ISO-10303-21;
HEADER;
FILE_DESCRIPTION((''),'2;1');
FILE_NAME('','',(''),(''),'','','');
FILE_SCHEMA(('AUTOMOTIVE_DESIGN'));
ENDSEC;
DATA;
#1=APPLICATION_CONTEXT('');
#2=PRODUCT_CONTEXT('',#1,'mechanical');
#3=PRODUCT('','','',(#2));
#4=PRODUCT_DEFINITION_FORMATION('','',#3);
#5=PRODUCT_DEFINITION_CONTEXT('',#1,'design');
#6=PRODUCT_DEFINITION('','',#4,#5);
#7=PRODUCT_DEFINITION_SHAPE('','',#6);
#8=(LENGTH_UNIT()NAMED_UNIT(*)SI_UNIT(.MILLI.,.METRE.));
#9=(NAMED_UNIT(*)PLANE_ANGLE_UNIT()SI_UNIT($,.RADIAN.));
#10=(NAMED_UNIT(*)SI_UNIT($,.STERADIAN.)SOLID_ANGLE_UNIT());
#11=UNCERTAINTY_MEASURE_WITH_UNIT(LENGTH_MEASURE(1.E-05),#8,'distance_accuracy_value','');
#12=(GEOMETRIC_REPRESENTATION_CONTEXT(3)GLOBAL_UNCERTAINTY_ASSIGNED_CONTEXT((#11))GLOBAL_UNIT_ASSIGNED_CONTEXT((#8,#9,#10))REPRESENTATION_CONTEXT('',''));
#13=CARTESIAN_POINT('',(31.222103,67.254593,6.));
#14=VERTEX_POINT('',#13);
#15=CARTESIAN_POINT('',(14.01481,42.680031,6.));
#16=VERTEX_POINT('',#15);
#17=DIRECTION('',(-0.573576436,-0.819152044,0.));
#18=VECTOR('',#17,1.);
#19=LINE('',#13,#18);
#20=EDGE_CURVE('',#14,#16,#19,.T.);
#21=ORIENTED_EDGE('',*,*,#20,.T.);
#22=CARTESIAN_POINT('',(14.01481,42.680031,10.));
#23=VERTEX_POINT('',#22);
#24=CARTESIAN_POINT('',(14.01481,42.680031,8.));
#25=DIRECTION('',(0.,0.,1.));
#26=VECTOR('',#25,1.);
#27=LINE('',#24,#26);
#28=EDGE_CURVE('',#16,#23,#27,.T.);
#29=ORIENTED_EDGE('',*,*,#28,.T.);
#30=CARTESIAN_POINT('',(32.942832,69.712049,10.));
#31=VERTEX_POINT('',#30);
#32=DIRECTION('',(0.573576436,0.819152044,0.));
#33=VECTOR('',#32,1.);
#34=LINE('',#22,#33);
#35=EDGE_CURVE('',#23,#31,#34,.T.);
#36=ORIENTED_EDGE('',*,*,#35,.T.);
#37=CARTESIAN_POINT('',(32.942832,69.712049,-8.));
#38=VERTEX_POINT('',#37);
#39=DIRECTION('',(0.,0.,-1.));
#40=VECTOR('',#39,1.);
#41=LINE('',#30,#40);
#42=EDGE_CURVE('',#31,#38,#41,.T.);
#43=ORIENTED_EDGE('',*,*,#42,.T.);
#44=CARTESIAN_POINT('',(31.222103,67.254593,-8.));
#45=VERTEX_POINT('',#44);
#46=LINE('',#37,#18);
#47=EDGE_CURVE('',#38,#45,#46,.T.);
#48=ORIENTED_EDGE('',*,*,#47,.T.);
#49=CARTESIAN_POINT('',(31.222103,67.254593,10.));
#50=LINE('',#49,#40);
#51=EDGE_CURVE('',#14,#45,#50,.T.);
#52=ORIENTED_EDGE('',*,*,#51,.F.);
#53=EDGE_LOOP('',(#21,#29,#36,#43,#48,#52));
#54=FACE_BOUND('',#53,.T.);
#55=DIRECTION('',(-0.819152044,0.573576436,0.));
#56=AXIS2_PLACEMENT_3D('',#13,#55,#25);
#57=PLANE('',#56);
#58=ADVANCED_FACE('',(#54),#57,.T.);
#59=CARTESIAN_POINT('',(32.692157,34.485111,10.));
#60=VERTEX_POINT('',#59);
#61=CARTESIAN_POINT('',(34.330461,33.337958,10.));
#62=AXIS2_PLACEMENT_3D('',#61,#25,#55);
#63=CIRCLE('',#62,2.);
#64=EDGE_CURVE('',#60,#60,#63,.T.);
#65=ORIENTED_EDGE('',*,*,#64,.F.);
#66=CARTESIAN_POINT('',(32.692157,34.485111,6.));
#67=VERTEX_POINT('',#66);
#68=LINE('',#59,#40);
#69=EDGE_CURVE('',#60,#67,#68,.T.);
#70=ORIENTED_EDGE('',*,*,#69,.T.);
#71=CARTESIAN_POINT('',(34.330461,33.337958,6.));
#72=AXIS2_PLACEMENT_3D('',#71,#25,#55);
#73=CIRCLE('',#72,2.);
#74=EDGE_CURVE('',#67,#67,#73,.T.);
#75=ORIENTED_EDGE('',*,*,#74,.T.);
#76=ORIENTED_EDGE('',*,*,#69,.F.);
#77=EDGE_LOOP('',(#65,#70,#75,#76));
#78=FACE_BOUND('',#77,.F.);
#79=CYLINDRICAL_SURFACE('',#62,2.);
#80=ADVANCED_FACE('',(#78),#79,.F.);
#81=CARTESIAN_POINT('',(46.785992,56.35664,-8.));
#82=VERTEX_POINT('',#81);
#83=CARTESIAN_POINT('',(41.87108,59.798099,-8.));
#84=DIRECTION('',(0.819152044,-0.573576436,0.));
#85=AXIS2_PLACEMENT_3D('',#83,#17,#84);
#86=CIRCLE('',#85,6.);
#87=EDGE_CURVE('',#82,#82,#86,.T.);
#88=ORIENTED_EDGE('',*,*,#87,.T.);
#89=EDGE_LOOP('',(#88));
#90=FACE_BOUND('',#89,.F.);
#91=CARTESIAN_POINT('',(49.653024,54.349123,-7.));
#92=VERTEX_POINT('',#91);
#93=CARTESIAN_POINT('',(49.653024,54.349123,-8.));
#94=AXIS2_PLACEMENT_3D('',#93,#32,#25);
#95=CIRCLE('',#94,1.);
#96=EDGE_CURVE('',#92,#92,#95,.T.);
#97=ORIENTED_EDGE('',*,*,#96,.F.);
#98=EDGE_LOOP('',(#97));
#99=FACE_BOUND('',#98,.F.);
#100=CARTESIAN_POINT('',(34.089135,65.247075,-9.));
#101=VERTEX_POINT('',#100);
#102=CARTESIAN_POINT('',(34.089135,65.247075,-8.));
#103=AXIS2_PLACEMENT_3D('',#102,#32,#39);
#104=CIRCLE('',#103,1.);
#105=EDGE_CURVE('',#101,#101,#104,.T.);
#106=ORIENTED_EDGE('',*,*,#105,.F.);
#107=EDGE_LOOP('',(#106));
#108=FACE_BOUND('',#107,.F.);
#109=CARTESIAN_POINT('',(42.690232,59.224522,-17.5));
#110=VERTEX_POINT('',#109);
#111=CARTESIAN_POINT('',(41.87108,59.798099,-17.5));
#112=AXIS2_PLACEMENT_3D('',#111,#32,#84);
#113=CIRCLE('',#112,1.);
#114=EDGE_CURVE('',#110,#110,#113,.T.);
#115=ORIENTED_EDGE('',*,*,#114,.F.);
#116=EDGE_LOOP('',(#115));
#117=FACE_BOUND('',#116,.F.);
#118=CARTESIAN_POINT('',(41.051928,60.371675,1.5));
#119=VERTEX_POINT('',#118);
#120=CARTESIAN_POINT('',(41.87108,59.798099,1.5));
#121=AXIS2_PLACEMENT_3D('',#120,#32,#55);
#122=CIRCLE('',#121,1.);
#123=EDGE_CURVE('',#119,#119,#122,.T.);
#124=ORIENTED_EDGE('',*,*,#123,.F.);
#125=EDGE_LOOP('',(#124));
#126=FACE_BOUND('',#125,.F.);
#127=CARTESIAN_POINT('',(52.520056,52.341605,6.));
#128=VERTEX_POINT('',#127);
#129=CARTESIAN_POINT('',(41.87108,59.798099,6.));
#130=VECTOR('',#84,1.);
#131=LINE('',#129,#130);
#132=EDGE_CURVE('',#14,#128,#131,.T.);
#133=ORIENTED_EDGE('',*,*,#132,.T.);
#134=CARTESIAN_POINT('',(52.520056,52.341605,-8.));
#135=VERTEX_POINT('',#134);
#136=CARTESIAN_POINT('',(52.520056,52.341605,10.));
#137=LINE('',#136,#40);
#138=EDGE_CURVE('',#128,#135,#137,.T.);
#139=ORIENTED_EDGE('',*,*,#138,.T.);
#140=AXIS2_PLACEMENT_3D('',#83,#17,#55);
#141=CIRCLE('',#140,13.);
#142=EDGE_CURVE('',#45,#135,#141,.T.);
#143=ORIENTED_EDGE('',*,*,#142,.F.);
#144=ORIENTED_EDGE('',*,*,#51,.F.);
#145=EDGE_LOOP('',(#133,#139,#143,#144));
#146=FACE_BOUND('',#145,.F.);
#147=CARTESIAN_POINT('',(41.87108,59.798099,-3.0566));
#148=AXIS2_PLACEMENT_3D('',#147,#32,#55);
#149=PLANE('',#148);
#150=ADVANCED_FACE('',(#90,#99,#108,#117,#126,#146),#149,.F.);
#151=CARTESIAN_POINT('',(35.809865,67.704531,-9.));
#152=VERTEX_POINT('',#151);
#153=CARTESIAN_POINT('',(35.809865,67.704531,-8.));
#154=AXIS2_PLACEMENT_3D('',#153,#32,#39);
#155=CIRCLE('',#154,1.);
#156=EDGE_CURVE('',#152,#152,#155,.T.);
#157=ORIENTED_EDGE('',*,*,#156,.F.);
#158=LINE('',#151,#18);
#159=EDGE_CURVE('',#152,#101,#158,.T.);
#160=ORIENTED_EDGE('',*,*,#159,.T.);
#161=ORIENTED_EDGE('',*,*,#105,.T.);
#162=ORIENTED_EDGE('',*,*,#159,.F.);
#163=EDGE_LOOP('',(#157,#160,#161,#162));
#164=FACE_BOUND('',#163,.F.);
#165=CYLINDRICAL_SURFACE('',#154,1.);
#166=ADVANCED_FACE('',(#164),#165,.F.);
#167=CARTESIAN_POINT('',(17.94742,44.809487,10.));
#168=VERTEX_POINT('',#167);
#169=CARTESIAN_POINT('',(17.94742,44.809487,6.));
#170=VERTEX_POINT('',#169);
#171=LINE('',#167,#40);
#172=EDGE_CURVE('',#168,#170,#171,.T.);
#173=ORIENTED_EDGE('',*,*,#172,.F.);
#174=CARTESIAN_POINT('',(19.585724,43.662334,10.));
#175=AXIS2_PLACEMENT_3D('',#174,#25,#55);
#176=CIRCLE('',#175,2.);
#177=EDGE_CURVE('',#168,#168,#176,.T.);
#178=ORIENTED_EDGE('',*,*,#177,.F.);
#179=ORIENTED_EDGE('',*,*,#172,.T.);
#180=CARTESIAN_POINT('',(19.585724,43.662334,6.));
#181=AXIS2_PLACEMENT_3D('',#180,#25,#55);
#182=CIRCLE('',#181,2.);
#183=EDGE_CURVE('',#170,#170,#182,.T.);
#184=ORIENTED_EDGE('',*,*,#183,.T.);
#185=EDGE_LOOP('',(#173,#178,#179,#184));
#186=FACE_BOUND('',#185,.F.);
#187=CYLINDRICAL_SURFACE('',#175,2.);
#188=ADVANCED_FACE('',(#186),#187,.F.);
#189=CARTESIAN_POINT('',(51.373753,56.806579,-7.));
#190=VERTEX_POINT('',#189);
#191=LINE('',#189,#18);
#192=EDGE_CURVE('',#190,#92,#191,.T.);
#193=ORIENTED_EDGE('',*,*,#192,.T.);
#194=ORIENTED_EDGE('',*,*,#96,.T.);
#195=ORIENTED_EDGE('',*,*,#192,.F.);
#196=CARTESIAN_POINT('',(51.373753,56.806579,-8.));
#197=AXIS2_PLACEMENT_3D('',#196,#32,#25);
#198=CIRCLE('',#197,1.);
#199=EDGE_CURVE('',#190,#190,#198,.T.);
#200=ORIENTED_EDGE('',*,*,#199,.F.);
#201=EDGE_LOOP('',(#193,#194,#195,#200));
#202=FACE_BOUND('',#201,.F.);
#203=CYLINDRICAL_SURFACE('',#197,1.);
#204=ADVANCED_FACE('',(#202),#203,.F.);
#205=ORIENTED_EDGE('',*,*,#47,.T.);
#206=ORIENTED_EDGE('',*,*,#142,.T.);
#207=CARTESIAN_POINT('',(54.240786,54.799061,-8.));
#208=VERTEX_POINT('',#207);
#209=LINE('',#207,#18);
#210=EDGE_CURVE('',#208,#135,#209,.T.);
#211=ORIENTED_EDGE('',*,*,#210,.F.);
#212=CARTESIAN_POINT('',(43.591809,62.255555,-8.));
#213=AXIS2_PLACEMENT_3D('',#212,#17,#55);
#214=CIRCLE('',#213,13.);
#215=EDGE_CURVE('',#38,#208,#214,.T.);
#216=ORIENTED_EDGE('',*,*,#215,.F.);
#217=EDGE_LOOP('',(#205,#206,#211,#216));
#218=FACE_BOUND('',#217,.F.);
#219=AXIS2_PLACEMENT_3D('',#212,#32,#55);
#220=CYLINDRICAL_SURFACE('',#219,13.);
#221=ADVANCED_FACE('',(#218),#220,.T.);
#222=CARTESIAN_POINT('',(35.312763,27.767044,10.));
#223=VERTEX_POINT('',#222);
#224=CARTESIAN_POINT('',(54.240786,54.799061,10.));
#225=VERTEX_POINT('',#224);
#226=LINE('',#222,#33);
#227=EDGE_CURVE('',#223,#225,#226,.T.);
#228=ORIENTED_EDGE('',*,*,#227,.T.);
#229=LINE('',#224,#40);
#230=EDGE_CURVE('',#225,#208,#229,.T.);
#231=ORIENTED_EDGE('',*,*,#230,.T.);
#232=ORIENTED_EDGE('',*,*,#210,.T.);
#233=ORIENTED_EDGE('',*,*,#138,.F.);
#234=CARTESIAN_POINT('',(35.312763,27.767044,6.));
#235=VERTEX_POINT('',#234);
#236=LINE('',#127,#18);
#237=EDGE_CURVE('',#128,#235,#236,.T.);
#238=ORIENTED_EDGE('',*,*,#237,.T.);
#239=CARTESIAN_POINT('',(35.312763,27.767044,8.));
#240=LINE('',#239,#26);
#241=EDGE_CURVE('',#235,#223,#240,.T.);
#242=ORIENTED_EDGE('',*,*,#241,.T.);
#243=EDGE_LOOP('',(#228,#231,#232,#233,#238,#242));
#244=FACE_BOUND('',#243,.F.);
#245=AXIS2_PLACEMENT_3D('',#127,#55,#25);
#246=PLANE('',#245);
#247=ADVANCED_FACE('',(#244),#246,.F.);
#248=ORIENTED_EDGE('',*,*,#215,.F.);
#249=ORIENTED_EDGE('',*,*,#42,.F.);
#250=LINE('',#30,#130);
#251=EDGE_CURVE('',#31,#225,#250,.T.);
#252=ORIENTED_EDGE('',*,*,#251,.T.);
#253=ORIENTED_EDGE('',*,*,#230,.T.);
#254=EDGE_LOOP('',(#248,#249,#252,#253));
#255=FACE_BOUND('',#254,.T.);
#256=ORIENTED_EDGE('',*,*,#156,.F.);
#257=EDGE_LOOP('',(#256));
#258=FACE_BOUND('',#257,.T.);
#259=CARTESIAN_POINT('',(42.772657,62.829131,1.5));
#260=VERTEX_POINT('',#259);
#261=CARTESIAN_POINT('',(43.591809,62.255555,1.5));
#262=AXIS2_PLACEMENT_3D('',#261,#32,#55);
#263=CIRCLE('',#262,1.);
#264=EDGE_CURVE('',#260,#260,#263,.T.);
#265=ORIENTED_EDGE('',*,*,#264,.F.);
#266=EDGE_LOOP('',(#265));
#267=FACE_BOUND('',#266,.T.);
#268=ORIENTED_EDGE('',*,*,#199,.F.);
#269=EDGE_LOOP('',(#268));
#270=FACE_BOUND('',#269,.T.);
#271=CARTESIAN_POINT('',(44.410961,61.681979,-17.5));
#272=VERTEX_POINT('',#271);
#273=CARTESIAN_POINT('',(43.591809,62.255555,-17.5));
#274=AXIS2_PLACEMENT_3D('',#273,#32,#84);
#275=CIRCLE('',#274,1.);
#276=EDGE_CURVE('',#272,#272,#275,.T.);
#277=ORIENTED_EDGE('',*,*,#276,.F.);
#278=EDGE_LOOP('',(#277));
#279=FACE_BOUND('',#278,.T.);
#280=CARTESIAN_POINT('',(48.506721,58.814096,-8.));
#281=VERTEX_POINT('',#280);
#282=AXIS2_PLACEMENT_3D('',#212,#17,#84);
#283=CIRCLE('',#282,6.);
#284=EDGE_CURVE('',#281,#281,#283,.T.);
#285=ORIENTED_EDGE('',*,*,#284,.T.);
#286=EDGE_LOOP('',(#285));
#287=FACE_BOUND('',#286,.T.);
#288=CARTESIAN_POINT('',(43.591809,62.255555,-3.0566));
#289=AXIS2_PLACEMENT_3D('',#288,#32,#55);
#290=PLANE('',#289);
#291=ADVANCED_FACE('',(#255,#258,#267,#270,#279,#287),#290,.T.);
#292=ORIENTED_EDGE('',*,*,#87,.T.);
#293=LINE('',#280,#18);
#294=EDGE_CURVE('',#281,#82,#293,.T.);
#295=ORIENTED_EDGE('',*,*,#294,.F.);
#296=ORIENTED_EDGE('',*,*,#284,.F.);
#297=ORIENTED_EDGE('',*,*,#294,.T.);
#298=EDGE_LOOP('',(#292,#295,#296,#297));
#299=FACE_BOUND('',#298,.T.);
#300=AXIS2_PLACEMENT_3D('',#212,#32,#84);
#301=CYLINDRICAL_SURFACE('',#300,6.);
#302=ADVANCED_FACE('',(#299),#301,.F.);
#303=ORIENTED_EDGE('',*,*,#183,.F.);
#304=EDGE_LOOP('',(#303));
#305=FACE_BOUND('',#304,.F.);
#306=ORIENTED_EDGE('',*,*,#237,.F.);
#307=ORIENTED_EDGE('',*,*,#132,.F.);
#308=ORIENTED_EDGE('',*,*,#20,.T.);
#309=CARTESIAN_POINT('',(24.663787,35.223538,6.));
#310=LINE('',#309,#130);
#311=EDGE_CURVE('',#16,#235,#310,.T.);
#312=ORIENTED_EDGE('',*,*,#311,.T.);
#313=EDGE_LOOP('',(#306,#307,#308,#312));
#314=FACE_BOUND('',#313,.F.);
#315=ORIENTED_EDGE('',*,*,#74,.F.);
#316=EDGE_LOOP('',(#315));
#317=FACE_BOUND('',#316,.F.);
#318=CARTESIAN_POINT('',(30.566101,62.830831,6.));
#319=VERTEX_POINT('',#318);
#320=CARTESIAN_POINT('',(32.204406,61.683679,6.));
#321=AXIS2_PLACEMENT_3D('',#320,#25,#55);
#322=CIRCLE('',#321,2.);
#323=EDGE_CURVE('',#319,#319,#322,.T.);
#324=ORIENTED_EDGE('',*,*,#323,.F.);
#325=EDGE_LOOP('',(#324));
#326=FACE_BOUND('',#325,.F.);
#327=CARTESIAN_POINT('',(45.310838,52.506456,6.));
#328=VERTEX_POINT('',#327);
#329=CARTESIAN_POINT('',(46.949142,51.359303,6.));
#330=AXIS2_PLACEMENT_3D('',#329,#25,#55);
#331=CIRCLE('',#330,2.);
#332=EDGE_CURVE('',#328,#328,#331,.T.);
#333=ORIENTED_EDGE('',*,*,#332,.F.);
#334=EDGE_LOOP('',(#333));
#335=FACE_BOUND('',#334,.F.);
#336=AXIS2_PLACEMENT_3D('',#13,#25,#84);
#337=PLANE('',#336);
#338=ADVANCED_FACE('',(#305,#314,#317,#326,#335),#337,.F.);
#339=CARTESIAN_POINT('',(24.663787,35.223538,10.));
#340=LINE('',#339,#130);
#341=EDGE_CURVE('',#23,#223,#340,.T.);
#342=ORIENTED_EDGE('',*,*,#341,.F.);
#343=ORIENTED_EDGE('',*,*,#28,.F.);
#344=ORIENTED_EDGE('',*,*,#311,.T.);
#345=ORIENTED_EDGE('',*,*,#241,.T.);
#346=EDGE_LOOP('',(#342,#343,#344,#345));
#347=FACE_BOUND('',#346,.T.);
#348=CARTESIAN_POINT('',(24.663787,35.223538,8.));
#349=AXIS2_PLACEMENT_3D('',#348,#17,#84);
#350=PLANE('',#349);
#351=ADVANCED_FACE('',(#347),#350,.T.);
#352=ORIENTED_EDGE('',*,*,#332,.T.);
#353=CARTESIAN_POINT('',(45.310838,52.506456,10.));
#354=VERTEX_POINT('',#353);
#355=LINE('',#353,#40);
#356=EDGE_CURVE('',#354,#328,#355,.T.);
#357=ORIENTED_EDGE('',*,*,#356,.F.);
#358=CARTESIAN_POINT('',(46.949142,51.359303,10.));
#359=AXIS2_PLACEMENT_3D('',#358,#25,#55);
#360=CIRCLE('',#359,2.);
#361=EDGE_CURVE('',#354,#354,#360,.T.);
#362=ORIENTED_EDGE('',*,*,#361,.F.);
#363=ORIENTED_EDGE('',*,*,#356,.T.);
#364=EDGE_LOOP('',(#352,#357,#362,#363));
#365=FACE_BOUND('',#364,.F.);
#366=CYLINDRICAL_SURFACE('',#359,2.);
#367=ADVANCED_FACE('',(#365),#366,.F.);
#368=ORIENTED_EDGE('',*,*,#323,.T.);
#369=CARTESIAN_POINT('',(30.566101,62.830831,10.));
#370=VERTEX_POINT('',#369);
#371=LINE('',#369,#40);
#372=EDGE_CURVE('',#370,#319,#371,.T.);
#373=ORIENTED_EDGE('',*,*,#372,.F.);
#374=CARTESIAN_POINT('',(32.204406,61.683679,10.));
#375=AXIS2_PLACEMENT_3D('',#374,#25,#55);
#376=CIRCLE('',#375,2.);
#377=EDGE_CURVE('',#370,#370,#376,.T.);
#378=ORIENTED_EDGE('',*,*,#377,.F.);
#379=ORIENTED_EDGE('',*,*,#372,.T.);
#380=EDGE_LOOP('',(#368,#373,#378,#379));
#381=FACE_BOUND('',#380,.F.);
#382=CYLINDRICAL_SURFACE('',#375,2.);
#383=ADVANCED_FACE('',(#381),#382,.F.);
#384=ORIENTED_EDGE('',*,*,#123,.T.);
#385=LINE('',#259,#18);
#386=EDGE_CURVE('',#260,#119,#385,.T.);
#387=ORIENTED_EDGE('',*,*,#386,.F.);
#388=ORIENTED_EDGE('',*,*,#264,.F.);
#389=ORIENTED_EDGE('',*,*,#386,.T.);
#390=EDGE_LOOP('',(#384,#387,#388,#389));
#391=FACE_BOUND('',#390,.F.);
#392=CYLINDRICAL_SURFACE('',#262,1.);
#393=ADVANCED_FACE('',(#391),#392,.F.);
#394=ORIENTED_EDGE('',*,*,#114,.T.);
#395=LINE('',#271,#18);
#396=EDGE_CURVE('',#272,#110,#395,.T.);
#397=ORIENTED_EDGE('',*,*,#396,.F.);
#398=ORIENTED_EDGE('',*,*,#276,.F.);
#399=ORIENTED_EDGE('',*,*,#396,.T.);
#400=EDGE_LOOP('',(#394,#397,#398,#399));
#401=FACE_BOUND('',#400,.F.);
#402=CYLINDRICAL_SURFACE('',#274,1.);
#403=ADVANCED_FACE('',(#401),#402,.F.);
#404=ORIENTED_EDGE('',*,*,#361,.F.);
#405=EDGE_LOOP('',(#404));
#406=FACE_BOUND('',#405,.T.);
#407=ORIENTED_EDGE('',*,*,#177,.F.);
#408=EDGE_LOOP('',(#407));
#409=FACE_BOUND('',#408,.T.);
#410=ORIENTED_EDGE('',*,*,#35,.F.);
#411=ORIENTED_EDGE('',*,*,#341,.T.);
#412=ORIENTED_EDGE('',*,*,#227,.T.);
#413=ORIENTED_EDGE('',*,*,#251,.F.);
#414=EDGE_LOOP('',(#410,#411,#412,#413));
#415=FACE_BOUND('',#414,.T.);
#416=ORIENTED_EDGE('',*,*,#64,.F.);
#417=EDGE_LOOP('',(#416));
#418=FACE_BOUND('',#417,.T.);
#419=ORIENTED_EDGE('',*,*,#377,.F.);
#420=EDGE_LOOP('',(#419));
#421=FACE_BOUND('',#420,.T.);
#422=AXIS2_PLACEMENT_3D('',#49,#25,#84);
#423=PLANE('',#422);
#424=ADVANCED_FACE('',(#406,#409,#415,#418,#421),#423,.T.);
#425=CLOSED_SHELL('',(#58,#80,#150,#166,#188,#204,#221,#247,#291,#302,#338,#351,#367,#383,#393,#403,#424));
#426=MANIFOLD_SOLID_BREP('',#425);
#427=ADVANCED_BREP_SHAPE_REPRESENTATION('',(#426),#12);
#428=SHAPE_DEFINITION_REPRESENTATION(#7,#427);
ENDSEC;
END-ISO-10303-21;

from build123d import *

# Parameters (mm, degrees)
SKETCH088_R             = 6
PAD064_DEPTH            = 3
SKETCH089_W             = 26
SKETCH089_H             = 4
PAD065_DEPTH            = 30
SKETCH090_R             = 2
POCKET032_DEPTH         = 31.001
SKETCH091_R             = 1
POCKET033_DEPTH         = 137.42322
POLARPATTERN013_COUNT   = 4
BODY039_PLACEMENT_ANGLE = 35


with BuildPart() as part:
    # Sketch088 → Pad064 (new body)
    with BuildSketch(Plane.XZ):
        with BuildLine():
            Line((-13, 18), (13, 18))
            Line((13, 18), (13, 0))
            ThreePointArc((-13, 0), (0, -13), (13, 0))
            Line((-13, 18), (-13, 0))
        make_face()
        Circle(SKETCH088_R, mode=Mode.SUBTRACT)
    extrude(amount=PAD064_DEPTH)

    # Sketch089 (on Face7 of Pad064) → Pad065 (join)
    with BuildSketch(Plane.XZ.offset(3)):
        with Locations((0, 16)):
            Rectangle(SKETCH089_W, SKETCH089_H)
    extrude(amount=PAD065_DEPTH)

    # Sketch090 (on Face5 of Pad065) → Pocket032 (cut, through all)
    with BuildSketch(Plane(origin=(0, 0, 18), x_dir=(-1, 0, 0), z_dir=(0, 0, 1))):
        with Locations((-9, 7)):
            Circle(SKETCH090_R)
        with Locations((9, 7)):
            Circle(SKETCH090_R)
        with Locations((-9, 29)):
            Circle(SKETCH090_R)
        with Locations((9, 29)):
            Circle(SKETCH090_R)
    extrude(amount=-POCKET032_DEPTH, mode=Mode.SUBTRACT)

    # Sketch091 (on Face4 of Pocket032) → Pocket033 (cut, through all)
    with BuildSketch(Plane(origin=(0, 0, 0), x_dir=(1, 0, 0), z_dir=(0, 1, 0))):
        with Locations((0, 9.5)):
            Circle(SKETCH091_R)
    pocket033 = extrude(amount=-POCKET033_DEPTH, mode=Mode.SUBTRACT)

    # PolarPattern013: Pocket033 ×4 about axis
    polarpattern013_axis = Axis((0, 0, 0), (0, 1, 0))
    for i in range(1, POLARPATTERN013_COUNT):
        add(pocket033.rotate(polarpattern013_axis, i * 360 / POLARPATTERN013_COUNT), mode=Mode.SUBTRACT)


with BuildPart() as part_1:
    # Body039 placement: moved
    add(part.part.moved(Location((43.591809, 62.255555, -8))).rotate(Axis((43.591809, 62.255555, -8), (0, 0, -1)), BODY039_PLACEMENT_ANGLE))


solid = part_1.part
